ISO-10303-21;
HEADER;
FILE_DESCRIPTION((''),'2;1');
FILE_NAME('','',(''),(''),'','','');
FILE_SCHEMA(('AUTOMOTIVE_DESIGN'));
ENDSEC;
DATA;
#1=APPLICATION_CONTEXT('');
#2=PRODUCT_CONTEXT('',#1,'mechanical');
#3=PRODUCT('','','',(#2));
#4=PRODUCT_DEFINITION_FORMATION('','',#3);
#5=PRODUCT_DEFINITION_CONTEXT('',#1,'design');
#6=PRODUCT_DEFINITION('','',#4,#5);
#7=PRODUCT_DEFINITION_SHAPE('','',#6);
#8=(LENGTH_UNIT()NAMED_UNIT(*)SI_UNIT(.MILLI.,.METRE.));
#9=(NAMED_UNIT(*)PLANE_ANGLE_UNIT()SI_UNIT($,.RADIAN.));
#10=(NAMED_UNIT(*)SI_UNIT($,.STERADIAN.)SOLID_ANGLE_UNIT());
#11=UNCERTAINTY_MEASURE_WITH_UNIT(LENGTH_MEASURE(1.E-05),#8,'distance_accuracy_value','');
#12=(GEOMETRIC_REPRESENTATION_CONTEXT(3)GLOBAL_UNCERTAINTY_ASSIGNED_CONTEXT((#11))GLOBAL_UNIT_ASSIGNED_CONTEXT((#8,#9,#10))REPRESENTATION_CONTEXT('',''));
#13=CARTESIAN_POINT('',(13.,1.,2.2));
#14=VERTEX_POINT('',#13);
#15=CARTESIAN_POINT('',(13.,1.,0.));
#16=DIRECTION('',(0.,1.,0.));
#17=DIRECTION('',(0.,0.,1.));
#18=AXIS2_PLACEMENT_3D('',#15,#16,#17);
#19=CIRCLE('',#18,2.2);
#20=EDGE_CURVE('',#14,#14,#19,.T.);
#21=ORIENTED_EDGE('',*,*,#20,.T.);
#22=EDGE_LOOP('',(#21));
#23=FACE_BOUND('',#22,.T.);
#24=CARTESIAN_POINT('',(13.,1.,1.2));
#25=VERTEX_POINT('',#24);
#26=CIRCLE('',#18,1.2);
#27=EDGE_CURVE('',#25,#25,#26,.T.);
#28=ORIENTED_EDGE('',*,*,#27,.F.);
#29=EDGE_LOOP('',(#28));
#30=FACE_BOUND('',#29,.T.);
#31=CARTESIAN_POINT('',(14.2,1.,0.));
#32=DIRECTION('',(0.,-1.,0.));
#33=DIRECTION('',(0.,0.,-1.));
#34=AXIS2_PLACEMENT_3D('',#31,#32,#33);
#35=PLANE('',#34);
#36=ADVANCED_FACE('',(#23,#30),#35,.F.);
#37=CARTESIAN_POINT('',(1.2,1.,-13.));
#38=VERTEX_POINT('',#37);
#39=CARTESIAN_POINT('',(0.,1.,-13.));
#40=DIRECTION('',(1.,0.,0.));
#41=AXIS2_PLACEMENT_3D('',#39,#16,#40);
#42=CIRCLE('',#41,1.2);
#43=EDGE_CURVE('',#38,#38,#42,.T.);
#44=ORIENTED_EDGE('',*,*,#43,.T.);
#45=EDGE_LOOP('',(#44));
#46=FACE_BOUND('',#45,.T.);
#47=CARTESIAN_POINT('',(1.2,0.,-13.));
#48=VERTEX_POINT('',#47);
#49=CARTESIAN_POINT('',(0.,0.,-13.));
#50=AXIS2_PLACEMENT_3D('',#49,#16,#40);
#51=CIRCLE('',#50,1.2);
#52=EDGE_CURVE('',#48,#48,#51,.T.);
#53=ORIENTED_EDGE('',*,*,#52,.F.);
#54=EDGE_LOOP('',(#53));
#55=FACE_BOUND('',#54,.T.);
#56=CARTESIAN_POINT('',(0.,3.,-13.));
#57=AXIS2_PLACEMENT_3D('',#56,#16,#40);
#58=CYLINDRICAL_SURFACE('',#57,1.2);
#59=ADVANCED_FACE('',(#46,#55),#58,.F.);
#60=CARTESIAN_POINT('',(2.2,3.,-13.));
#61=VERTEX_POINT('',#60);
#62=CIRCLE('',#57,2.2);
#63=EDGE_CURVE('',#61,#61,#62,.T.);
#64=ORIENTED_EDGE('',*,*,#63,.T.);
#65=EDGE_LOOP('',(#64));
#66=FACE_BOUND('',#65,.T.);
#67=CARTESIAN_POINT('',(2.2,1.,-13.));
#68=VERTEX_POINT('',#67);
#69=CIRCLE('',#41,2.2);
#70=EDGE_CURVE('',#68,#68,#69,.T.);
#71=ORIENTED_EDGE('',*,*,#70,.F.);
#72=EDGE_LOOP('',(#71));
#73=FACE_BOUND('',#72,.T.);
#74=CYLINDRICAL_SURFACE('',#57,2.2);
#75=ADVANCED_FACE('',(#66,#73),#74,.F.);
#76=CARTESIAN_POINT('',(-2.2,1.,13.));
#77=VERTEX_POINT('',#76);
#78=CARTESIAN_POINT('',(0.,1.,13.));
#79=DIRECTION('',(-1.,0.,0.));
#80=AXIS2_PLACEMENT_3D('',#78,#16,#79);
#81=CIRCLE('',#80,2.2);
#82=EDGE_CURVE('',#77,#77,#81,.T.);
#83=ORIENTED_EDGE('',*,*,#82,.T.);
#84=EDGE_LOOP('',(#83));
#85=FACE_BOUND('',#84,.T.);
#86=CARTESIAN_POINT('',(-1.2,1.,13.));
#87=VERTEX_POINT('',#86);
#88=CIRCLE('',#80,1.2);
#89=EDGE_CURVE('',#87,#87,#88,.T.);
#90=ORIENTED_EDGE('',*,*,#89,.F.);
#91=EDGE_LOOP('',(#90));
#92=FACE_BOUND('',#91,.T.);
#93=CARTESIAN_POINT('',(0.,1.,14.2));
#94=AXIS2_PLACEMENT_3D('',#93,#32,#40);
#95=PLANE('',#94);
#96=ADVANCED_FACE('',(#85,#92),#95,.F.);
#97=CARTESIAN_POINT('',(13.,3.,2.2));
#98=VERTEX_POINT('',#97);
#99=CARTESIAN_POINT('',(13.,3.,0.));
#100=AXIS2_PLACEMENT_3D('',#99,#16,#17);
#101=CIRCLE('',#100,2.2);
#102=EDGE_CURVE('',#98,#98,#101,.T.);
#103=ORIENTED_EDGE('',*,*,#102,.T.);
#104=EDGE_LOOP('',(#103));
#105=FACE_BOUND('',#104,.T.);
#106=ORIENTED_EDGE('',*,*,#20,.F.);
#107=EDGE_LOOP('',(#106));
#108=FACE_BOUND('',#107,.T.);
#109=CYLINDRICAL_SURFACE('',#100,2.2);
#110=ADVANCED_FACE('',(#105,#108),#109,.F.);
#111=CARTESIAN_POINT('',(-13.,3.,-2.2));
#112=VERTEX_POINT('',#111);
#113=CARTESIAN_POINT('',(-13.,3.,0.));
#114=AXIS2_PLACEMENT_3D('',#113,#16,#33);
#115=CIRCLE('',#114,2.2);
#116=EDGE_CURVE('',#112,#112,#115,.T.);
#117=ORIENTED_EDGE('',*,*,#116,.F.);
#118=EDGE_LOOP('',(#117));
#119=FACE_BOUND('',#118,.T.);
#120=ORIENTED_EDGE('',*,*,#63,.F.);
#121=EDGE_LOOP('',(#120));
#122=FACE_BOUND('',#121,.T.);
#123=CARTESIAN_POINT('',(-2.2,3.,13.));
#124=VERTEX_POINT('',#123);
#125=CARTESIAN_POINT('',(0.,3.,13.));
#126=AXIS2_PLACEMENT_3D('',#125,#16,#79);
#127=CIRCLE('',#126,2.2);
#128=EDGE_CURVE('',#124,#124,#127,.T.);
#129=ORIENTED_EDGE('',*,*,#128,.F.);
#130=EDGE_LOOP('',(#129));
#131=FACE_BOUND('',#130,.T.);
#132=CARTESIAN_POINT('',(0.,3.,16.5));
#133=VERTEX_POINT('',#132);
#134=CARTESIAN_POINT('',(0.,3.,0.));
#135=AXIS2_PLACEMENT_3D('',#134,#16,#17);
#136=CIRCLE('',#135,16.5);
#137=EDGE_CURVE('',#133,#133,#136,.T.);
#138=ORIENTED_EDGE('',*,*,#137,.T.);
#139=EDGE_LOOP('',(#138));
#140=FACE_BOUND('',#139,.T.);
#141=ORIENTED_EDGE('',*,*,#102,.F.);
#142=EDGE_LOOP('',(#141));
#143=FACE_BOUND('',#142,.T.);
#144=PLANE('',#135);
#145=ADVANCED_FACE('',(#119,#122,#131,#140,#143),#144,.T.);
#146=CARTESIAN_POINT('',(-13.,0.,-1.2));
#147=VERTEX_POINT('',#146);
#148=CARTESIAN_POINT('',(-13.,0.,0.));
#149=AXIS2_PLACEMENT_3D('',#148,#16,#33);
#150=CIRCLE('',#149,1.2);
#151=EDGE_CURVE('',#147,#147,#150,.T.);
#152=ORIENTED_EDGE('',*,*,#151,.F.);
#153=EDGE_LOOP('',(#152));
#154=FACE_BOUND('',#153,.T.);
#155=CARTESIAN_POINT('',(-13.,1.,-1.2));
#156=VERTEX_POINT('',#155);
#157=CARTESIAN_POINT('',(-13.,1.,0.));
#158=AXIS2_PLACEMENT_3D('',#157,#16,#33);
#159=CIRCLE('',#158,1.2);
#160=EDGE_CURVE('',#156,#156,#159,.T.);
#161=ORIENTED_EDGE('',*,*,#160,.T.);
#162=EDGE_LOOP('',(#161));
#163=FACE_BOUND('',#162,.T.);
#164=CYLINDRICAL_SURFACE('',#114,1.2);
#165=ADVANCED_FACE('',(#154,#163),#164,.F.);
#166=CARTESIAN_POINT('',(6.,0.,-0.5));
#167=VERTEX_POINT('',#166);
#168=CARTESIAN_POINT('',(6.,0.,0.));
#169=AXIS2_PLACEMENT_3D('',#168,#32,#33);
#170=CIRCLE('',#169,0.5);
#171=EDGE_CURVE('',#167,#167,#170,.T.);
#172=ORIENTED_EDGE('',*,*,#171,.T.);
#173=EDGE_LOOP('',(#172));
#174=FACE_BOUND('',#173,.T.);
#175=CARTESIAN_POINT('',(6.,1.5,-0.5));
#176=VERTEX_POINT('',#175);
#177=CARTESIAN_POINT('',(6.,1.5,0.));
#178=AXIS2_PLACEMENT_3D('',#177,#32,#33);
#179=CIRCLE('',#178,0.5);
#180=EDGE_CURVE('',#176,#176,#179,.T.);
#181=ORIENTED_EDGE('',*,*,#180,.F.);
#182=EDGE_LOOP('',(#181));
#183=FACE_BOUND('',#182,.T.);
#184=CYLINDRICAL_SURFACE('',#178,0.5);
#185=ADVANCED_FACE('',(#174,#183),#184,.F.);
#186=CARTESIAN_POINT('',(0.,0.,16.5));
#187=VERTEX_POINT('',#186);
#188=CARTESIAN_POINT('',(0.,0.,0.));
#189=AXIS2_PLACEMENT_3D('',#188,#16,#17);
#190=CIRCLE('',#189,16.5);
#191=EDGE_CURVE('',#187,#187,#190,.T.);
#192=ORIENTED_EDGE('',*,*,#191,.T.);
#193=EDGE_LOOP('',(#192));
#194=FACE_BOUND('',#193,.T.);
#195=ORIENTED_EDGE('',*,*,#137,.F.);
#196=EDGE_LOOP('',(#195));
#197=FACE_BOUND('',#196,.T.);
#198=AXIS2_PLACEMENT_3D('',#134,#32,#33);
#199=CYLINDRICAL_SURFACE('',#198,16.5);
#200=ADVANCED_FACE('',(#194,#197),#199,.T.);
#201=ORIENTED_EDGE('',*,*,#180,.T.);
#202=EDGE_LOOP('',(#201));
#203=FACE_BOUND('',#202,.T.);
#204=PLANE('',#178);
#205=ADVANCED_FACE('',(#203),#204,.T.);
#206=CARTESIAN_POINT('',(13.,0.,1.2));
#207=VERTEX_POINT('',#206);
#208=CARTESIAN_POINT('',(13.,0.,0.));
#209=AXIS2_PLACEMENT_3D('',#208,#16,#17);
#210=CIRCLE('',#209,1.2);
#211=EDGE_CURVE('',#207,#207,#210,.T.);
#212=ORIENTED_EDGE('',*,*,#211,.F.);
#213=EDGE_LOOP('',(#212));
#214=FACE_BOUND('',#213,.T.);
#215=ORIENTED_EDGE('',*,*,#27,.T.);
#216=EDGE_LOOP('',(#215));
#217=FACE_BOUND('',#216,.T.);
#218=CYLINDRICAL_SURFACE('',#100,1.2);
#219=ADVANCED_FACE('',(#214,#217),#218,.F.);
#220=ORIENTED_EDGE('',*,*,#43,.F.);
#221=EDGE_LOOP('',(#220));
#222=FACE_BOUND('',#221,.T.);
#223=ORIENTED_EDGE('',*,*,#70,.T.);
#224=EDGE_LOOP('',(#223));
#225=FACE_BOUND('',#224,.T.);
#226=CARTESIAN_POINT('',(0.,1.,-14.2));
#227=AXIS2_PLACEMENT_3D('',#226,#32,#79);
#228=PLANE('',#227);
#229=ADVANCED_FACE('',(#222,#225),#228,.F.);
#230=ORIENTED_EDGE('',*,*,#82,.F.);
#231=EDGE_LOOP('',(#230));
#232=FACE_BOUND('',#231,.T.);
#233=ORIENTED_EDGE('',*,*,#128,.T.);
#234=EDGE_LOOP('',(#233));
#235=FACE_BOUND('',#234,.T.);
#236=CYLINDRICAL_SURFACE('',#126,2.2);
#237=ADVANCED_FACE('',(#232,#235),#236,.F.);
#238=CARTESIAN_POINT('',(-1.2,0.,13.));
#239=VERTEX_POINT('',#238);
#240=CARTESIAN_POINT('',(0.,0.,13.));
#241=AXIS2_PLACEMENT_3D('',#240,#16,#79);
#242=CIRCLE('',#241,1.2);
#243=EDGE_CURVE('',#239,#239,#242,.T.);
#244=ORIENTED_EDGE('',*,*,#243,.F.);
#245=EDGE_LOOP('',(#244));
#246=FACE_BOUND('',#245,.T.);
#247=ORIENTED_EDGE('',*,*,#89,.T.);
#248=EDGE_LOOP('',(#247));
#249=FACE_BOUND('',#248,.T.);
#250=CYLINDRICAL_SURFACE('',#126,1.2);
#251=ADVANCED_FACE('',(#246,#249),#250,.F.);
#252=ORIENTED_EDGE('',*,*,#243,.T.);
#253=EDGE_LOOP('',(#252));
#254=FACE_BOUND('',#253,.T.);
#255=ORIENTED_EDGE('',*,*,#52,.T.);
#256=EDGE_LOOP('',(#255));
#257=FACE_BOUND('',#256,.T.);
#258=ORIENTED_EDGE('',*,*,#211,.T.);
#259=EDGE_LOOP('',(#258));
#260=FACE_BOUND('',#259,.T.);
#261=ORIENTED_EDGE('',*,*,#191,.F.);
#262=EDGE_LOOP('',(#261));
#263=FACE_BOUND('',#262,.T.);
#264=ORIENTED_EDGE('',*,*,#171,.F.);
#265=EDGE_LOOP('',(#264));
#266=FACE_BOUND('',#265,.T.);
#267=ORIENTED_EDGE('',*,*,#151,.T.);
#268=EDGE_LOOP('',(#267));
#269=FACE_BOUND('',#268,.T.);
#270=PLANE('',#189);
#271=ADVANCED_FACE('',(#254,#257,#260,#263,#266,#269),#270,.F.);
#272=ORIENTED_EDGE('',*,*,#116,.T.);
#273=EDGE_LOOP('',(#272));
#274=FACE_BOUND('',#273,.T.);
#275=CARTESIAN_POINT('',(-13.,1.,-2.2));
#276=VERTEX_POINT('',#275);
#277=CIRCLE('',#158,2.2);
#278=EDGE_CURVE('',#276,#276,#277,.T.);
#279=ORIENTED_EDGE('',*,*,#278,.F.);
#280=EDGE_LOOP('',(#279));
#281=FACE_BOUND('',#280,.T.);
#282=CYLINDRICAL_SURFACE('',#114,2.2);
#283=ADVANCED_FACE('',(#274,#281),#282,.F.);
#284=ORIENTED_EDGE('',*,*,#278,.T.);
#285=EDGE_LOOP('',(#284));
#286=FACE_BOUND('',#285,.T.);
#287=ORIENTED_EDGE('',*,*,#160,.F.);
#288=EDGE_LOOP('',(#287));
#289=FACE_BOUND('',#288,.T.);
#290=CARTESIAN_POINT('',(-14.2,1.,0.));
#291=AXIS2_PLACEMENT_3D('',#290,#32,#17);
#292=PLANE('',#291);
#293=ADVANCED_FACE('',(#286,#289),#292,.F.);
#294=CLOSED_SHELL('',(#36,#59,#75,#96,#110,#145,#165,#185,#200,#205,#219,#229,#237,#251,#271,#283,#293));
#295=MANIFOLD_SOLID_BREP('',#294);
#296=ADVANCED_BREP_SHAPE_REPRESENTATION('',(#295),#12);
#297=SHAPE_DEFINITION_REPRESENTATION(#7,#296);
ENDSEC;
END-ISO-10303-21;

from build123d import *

# Parameters (mm, degrees)
SKETCH1_R                      = 16.5
BOSS_EXTRUDE1_DEPTH            = 3
CBORE_FOR_M2_SHCS1_D           = 2.4
CBORE_FOR_M2_SHCS1_CBORE_D     = 4.4
CBORE_FOR_M2_SHCS1_CBORE_DEPTH = 2
CIRPATTERN1_COUNT              = 4
SKETCH8_R                      = 0.5
CUT_EXTRUDE1_DEPTH             = 1.5


with BuildPart() as part:
    # Sketch1 → Boss-Extrude1 (new body)
    with BuildSketch(Plane(origin=(0, 0, 0), x_dir=(1, 0, 0), z_dir=(0, 1, 0))):
        with Locations(Location((0, 0, 0), (0, 0, 270))):
            Circle(SKETCH1_R)
    extrude(amount=BOSS_EXTRUDE1_DEPTH)

    # CBORE for M2 SHCS1 (through all)
    with Locations(Plane(origin=(0, 3, 0), x_dir=(1, 0, 0), z_dir=(0, 1, 0))):
        with Locations((13, 0)):
            cbore_for_m2_shcs1 = CounterBoreHole(CBORE_FOR_M2_SHCS1_D / 2, CBORE_FOR_M2_SHCS1_CBORE_D / 2, CBORE_FOR_M2_SHCS1_CBORE_DEPTH)

    # CirPattern1: CBORE for M2 SHCS1 ×4 about axis
    cirpattern1_axis = Axis((0, 0, 0), (0, 1, 0))
    for i in range(1, CIRPATTERN1_COUNT):
        add(cbore_for_m2_shcs1.rotate(cirpattern1_axis, i * 360 / CIRPATTERN1_COUNT), mode=Mode.SUBTRACT)

    # Sketch8 → Cut-Extrude1 (cut)
    with BuildSketch(Plane.XZ):
        with Locations(Location((6, 0, 0), (0, 0, 270))):
            Circle(SKETCH8_R)
    extrude(amount=-CUT_EXTRUDE1_DEPTH, mode=Mode.SUBTRACT)


solid = part.part
